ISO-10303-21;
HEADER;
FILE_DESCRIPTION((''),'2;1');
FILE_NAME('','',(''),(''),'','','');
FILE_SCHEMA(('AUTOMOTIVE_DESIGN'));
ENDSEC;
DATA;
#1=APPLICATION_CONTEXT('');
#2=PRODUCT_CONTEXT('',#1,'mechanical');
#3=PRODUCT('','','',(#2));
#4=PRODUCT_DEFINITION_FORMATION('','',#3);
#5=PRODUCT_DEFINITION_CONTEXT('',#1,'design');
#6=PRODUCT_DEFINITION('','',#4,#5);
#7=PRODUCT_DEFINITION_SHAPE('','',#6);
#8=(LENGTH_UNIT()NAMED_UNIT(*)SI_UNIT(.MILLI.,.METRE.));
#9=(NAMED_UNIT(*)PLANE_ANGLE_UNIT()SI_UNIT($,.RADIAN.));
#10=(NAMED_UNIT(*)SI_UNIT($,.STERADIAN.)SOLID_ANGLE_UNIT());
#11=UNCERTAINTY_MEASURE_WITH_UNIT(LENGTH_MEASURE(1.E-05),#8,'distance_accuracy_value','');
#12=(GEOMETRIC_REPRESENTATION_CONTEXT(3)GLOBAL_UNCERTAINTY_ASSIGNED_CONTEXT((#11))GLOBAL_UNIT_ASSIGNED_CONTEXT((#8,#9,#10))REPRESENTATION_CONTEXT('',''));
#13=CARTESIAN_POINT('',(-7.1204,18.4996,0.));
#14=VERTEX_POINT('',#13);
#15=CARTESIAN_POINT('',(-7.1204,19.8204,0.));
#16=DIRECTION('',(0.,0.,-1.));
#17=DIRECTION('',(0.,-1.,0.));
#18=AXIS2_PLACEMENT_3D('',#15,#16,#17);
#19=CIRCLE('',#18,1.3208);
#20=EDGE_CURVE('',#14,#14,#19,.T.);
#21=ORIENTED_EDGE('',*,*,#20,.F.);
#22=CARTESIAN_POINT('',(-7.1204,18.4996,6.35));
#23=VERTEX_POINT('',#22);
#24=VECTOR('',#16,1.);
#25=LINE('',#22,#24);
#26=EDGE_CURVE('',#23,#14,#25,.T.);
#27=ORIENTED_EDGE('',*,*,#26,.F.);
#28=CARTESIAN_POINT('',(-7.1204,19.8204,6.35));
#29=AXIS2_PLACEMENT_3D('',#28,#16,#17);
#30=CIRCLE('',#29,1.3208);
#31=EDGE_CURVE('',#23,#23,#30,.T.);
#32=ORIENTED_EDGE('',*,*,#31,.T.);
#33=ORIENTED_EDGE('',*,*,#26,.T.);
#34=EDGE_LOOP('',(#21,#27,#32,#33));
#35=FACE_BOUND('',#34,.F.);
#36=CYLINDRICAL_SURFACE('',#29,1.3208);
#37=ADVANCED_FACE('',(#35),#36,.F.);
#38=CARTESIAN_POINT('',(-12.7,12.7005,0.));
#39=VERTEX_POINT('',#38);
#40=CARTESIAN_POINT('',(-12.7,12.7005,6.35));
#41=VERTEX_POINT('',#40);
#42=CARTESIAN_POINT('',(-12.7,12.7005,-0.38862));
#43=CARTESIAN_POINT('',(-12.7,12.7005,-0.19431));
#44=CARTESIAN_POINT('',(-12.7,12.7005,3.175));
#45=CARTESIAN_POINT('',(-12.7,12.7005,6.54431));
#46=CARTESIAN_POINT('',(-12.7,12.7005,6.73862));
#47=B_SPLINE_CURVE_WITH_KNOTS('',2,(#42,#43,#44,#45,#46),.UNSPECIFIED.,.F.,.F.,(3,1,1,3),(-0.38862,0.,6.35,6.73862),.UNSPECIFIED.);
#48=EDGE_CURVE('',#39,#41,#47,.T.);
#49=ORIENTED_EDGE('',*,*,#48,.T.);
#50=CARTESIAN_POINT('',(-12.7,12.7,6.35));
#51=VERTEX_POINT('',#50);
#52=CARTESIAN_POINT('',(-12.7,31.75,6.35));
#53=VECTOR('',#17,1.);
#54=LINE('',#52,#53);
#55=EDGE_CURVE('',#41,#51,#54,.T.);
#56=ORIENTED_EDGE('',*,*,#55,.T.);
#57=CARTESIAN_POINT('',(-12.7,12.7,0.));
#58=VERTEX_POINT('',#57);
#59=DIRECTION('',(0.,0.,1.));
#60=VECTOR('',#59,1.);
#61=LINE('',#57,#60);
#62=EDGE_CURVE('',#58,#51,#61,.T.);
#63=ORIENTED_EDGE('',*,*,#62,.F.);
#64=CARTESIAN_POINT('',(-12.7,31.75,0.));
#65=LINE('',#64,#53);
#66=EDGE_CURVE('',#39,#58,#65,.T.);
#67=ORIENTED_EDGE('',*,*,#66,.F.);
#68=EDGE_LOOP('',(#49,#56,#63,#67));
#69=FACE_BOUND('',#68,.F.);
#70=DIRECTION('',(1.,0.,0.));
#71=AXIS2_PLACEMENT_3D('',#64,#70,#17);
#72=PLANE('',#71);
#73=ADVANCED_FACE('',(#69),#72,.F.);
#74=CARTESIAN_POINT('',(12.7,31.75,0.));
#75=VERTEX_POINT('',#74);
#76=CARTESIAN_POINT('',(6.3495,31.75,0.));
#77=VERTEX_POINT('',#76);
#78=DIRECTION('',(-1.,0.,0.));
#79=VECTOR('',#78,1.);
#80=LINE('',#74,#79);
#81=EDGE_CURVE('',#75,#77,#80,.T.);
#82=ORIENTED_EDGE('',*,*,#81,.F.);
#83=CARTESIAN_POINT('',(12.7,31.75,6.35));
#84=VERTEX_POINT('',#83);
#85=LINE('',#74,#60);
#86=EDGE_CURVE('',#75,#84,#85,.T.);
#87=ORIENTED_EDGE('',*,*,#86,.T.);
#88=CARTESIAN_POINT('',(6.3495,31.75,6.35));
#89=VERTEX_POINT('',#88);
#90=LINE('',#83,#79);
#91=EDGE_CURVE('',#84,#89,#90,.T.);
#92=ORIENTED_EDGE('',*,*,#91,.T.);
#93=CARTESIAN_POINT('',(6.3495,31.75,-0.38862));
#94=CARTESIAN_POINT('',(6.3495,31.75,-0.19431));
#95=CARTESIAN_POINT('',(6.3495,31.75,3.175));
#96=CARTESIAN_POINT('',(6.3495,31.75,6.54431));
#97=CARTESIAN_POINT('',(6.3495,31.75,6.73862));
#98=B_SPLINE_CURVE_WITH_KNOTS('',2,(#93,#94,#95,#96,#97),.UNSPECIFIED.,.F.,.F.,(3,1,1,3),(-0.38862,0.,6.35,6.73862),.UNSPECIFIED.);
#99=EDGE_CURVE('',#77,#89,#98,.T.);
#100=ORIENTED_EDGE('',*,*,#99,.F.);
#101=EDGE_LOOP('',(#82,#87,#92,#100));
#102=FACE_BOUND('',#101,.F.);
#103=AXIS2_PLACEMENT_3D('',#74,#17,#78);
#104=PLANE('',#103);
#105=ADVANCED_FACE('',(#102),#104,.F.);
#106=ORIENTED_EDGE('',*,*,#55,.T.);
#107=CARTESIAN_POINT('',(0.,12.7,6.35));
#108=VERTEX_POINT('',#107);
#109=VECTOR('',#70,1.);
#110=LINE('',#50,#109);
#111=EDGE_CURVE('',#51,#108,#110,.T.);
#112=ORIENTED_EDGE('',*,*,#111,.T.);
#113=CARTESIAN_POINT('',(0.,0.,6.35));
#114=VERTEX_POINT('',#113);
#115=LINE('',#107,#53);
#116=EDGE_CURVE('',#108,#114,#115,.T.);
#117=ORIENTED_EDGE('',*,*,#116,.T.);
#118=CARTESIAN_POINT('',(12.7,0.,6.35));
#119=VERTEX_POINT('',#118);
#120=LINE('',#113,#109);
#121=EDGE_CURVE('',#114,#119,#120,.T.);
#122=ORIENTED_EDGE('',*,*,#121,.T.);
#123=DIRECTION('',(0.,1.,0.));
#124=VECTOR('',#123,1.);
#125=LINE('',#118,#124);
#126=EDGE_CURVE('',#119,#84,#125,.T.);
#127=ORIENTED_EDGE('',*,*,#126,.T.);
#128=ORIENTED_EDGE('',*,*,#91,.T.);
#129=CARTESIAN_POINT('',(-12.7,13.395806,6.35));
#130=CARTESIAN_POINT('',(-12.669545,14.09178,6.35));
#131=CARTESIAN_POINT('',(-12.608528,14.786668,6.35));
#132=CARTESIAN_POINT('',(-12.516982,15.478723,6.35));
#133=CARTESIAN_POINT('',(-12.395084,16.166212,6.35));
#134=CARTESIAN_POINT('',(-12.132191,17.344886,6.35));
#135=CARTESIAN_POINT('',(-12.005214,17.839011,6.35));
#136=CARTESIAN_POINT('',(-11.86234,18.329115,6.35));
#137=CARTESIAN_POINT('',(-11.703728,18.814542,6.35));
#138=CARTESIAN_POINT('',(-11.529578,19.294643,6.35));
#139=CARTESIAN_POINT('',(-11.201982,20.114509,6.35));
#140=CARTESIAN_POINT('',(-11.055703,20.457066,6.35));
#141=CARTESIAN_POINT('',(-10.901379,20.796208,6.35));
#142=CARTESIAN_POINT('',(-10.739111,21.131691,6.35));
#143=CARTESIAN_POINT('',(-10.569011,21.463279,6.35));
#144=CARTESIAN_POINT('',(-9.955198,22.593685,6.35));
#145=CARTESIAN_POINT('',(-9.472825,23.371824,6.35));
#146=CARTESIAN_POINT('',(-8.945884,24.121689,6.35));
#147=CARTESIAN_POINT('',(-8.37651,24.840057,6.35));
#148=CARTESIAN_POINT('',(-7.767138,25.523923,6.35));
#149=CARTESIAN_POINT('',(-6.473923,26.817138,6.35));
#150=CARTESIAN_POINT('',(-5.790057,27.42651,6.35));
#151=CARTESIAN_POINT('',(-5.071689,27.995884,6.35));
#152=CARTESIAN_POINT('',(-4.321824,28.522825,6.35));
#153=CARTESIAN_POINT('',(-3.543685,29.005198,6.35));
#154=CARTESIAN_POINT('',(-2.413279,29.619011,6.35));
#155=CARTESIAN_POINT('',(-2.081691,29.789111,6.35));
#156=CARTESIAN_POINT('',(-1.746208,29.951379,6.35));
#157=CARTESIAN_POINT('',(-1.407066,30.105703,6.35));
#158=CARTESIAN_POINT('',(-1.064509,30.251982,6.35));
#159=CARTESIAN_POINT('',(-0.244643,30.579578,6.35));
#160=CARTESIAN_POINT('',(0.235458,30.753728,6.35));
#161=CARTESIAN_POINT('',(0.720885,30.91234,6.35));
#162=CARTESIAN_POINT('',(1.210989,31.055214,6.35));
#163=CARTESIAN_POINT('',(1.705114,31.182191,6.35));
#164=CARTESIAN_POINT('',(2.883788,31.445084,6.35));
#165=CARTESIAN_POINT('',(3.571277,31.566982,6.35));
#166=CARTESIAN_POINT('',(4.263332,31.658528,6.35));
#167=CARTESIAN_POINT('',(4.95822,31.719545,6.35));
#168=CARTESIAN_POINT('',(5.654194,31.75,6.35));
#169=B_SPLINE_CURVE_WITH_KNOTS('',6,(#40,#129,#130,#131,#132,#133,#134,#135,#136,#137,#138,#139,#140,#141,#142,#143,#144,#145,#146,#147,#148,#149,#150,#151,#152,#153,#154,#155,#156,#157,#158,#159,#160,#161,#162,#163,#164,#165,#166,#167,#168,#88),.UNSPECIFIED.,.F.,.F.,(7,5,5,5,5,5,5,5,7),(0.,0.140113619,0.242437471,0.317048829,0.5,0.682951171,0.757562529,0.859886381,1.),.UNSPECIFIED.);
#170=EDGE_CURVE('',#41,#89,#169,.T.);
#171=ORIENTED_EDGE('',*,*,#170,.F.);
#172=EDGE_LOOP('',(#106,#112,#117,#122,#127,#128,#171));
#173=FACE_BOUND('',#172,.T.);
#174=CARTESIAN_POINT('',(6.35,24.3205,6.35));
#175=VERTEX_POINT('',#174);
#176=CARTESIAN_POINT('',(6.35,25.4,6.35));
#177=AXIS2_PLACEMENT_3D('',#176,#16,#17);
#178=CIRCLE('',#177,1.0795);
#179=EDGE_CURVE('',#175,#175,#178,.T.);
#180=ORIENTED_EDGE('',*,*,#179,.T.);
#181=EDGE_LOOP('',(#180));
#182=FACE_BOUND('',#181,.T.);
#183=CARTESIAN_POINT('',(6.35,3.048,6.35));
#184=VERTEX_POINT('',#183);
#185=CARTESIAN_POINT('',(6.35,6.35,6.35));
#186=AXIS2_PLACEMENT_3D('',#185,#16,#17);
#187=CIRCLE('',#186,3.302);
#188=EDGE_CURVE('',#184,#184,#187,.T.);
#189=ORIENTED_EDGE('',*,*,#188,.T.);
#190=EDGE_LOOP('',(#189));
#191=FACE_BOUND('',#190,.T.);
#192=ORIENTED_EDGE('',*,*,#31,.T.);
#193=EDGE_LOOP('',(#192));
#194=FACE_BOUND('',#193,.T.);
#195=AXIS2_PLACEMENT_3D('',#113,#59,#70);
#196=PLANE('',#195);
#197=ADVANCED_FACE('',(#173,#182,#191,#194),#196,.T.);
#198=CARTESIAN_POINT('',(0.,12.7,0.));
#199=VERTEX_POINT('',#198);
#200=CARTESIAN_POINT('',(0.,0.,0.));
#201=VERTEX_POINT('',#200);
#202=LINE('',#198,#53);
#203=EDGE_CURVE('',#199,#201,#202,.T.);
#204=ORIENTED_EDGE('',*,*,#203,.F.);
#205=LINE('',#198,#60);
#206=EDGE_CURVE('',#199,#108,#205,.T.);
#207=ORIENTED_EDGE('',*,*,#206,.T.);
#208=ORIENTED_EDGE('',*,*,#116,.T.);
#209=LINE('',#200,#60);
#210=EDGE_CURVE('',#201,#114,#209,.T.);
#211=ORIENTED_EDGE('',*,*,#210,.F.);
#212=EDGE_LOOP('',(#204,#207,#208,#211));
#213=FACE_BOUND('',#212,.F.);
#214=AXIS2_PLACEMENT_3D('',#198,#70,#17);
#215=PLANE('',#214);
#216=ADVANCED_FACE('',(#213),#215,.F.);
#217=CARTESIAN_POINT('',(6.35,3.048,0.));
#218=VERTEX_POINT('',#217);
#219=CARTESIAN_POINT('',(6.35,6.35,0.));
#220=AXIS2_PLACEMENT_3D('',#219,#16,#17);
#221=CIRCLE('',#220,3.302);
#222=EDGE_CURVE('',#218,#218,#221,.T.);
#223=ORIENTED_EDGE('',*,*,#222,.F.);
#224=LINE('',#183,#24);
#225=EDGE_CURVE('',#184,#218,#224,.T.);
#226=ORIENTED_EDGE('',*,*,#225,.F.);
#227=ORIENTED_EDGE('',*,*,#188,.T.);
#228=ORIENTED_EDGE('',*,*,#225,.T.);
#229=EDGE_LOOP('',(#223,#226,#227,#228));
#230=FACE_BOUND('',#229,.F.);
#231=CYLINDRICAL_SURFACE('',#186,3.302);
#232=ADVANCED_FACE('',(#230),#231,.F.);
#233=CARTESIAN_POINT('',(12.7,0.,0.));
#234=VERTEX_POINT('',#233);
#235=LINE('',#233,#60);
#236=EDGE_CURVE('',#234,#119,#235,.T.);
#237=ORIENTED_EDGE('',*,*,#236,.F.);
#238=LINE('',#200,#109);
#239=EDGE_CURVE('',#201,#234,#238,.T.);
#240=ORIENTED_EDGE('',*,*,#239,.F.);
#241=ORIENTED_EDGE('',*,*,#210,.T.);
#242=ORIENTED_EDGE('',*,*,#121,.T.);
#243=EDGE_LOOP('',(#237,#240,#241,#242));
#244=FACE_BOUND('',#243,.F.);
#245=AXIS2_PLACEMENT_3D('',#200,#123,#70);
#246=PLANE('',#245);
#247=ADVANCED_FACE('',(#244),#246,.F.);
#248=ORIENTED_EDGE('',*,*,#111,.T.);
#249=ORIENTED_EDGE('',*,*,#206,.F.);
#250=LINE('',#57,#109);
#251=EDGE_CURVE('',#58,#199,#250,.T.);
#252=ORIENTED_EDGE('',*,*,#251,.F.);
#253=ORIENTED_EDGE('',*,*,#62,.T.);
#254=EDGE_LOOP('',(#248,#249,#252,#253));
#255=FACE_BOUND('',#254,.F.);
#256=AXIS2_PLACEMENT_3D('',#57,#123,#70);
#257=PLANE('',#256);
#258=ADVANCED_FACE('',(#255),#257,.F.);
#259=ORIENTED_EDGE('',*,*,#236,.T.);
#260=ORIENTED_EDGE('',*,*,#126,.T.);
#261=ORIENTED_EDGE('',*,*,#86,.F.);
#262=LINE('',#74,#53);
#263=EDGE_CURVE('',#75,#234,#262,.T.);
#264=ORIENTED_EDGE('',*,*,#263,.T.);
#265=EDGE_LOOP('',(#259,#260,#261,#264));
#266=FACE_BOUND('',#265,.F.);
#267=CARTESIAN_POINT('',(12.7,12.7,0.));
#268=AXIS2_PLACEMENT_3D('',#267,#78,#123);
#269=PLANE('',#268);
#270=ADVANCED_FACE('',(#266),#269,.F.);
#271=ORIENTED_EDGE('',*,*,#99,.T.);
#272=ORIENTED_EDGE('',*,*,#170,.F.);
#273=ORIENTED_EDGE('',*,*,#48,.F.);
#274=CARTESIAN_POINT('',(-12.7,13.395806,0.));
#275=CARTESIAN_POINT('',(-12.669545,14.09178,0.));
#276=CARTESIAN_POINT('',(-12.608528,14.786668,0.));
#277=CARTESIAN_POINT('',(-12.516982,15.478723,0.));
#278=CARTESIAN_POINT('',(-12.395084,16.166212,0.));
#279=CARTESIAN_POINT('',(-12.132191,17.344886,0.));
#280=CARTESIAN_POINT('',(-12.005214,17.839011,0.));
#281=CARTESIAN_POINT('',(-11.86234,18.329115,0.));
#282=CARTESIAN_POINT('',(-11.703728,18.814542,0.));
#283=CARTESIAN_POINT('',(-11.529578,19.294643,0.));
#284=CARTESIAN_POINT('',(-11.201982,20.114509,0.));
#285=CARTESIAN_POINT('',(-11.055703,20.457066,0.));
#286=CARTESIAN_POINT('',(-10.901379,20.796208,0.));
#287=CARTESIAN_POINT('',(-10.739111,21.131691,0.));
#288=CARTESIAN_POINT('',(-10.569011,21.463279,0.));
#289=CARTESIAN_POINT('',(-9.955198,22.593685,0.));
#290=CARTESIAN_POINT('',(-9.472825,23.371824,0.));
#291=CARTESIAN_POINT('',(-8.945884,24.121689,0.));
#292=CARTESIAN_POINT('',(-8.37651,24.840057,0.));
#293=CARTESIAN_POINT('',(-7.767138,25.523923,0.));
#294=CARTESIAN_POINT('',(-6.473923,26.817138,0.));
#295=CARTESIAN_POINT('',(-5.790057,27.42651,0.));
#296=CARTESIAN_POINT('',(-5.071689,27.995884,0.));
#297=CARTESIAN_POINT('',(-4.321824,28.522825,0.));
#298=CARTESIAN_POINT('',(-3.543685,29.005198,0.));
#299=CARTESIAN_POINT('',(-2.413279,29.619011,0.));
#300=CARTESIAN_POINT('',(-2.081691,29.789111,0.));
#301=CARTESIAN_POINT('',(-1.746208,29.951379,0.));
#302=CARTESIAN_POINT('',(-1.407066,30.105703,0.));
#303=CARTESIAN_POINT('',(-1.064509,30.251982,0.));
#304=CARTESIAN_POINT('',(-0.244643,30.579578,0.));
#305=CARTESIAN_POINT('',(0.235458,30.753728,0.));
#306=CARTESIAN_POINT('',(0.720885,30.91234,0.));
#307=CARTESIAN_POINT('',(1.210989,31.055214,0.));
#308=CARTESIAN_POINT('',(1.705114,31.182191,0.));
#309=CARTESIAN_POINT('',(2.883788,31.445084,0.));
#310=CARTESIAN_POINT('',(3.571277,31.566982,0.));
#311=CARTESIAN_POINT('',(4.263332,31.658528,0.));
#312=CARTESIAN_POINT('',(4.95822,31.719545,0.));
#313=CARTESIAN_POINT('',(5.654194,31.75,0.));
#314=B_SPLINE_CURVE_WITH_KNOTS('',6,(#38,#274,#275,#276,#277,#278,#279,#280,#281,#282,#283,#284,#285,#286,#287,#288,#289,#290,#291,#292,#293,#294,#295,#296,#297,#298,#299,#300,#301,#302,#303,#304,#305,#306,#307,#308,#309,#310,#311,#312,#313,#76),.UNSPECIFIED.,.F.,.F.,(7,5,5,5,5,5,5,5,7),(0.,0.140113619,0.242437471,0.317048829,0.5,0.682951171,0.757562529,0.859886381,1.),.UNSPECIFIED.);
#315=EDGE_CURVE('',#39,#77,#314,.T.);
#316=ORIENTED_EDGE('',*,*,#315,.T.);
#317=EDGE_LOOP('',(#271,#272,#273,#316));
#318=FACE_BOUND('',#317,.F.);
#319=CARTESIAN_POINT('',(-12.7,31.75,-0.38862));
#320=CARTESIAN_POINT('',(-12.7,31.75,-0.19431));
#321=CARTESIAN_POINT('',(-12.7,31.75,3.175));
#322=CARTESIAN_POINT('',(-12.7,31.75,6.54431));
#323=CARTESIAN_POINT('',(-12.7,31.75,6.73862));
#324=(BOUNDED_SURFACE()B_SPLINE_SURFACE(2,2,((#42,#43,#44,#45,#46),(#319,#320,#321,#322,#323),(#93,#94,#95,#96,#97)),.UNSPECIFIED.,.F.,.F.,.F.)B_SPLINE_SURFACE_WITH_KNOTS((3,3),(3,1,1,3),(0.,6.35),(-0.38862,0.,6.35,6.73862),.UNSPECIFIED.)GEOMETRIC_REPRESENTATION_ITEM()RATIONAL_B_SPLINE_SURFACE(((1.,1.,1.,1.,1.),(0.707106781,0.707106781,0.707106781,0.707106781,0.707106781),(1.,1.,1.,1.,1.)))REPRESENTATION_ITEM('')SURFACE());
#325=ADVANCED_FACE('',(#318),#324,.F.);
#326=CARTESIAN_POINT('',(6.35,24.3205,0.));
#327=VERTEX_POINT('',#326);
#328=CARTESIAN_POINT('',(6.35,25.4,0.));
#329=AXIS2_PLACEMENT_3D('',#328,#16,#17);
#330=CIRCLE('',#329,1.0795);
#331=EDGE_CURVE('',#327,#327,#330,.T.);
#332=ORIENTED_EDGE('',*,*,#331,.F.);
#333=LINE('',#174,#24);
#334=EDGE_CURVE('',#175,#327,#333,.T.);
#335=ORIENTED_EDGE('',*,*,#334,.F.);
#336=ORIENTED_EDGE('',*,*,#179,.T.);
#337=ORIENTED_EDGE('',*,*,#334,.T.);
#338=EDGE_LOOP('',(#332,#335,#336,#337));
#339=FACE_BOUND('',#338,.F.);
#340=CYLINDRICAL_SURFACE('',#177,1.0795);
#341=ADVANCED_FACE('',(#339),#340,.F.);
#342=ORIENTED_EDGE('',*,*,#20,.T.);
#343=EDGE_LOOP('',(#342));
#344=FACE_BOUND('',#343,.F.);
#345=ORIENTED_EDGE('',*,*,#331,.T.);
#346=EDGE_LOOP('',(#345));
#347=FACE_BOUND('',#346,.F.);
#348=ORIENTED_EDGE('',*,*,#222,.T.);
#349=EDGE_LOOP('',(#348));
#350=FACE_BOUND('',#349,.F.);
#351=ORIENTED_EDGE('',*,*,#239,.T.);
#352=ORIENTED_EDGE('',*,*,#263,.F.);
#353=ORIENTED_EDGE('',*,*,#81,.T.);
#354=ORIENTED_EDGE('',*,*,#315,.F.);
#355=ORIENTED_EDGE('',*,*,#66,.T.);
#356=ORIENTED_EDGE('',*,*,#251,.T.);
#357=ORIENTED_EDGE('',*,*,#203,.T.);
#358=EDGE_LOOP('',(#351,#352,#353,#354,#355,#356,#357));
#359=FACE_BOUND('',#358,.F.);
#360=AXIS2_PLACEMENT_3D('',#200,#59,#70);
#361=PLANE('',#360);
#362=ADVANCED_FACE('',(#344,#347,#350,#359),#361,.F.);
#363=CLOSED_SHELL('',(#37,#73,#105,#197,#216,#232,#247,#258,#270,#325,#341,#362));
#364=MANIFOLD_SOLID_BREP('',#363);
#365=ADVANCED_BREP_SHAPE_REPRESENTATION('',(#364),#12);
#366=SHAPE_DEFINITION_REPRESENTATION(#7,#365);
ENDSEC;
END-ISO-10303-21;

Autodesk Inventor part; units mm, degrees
ref_plane "YZ Plane" through (0, 0, 0) normal (1, 0, 0) x (0, 1, 0)
ref_plane "XZ Plane" through (0, 0, 0) normal (0, 1, 0) x (-1, 0, 0)
ref_plane "XY Plane" through (0, 0, 0) normal (0, 0, 1) x (1, 0, 0)
sketch "Sketch1" plane through (0, 0, 0) normal (0, 0, 1) x (1, 0, 0)
  line L0 (0, 0) -> (12.7, 0)
  line L1 (12.7, 0) -> (12.7, 31.75)
  line L2 (12.7, 31.75) -> (0, 31.75)
  line L3 (0, 12.7) -> (0, 0)
  line L4 (12.7, 31.75) -> (-12.7, 31.75)
  line L5 (-12.7, 31.75) -> (-12.7, 12.7)
  line L6 (-12.7, 12.7) -> (0, 12.7)
  line L7 (12.7, 12.7) -> (12.7, 31.75)
  dimension "d1" = 31.75
  dimension "d2" = 25.4
  dimension "d3" = 19.05
  dimension "d4" = 12.7
  dimension "d5" = 12.7
extrude "Extrusion1" add sketch "Sketch1" along normal blind 6.35
fillet "Fillet1" radius 19.05 1 edges at (-12.7, 31.75, 3.175)
sketch "Sketch2" plane through (0, 0, 6.35) normal (0, 0, 1) x (1, 0, 0)
  line L0 (12.7, 0) -> (12.7, 31.75) projected
  line L1 (0, 0) -> (12.7, 0) projected
  point P0 (6.35, 6.35)
  dimension "d11" = 6.35
  dimension "d12" = 6.35
hole "Hole1" at (6.35, 6.35, 6.35) direction (0, 0, -1) diameter 6.604 end through all
sketch "Sketch3" plane through (0, 0, 6.35) normal (0, 0, 1) x (1, 0, 0)
  line L0 (12.7, 0) -> (12.7, 31.75) projected
  line L1 (12.7, 31.75) -> (6.35, 31.75) projected
  point P0 (0, 0)
  point P1 (6.35, 25.4)
  dimension "d20" = 6.35
  dimension "d21" = 6.35
hole "Hole2" at (6.35, 25.4, 6.35) direction (0, 0, -1) diameter 2.159 end through all
sketch "Sketch4" plane through (0, 0, 6.35) normal (0, 0, 1) x (1, 0, 0)
  circle A0 centre (6.35, 6.35) radius 3.302 projected
  circle A1 centre (6.35, 6.35) radius 19.05
  line L0 (-7.1204, 19.8204) -> (6.35, 6.35)
  line L1 (12.7, 0) -> (12.7, 31.75) projected
  point P0 (0, 0)
  dimension "d29" = 38.1
  dimension "d30" = 45
hole "Hole3" at (-7.1204, 19.8204, 6.35) direction (0, 0, -1) diameter 2.6416 end through all thread size "6-32 UNC" class "2B" standard "ANSI Unified Screw Threads"
equation "\"d12\" = d11"
equation "\"d21\" = d20"
properties part number "Shooter_Stop"
